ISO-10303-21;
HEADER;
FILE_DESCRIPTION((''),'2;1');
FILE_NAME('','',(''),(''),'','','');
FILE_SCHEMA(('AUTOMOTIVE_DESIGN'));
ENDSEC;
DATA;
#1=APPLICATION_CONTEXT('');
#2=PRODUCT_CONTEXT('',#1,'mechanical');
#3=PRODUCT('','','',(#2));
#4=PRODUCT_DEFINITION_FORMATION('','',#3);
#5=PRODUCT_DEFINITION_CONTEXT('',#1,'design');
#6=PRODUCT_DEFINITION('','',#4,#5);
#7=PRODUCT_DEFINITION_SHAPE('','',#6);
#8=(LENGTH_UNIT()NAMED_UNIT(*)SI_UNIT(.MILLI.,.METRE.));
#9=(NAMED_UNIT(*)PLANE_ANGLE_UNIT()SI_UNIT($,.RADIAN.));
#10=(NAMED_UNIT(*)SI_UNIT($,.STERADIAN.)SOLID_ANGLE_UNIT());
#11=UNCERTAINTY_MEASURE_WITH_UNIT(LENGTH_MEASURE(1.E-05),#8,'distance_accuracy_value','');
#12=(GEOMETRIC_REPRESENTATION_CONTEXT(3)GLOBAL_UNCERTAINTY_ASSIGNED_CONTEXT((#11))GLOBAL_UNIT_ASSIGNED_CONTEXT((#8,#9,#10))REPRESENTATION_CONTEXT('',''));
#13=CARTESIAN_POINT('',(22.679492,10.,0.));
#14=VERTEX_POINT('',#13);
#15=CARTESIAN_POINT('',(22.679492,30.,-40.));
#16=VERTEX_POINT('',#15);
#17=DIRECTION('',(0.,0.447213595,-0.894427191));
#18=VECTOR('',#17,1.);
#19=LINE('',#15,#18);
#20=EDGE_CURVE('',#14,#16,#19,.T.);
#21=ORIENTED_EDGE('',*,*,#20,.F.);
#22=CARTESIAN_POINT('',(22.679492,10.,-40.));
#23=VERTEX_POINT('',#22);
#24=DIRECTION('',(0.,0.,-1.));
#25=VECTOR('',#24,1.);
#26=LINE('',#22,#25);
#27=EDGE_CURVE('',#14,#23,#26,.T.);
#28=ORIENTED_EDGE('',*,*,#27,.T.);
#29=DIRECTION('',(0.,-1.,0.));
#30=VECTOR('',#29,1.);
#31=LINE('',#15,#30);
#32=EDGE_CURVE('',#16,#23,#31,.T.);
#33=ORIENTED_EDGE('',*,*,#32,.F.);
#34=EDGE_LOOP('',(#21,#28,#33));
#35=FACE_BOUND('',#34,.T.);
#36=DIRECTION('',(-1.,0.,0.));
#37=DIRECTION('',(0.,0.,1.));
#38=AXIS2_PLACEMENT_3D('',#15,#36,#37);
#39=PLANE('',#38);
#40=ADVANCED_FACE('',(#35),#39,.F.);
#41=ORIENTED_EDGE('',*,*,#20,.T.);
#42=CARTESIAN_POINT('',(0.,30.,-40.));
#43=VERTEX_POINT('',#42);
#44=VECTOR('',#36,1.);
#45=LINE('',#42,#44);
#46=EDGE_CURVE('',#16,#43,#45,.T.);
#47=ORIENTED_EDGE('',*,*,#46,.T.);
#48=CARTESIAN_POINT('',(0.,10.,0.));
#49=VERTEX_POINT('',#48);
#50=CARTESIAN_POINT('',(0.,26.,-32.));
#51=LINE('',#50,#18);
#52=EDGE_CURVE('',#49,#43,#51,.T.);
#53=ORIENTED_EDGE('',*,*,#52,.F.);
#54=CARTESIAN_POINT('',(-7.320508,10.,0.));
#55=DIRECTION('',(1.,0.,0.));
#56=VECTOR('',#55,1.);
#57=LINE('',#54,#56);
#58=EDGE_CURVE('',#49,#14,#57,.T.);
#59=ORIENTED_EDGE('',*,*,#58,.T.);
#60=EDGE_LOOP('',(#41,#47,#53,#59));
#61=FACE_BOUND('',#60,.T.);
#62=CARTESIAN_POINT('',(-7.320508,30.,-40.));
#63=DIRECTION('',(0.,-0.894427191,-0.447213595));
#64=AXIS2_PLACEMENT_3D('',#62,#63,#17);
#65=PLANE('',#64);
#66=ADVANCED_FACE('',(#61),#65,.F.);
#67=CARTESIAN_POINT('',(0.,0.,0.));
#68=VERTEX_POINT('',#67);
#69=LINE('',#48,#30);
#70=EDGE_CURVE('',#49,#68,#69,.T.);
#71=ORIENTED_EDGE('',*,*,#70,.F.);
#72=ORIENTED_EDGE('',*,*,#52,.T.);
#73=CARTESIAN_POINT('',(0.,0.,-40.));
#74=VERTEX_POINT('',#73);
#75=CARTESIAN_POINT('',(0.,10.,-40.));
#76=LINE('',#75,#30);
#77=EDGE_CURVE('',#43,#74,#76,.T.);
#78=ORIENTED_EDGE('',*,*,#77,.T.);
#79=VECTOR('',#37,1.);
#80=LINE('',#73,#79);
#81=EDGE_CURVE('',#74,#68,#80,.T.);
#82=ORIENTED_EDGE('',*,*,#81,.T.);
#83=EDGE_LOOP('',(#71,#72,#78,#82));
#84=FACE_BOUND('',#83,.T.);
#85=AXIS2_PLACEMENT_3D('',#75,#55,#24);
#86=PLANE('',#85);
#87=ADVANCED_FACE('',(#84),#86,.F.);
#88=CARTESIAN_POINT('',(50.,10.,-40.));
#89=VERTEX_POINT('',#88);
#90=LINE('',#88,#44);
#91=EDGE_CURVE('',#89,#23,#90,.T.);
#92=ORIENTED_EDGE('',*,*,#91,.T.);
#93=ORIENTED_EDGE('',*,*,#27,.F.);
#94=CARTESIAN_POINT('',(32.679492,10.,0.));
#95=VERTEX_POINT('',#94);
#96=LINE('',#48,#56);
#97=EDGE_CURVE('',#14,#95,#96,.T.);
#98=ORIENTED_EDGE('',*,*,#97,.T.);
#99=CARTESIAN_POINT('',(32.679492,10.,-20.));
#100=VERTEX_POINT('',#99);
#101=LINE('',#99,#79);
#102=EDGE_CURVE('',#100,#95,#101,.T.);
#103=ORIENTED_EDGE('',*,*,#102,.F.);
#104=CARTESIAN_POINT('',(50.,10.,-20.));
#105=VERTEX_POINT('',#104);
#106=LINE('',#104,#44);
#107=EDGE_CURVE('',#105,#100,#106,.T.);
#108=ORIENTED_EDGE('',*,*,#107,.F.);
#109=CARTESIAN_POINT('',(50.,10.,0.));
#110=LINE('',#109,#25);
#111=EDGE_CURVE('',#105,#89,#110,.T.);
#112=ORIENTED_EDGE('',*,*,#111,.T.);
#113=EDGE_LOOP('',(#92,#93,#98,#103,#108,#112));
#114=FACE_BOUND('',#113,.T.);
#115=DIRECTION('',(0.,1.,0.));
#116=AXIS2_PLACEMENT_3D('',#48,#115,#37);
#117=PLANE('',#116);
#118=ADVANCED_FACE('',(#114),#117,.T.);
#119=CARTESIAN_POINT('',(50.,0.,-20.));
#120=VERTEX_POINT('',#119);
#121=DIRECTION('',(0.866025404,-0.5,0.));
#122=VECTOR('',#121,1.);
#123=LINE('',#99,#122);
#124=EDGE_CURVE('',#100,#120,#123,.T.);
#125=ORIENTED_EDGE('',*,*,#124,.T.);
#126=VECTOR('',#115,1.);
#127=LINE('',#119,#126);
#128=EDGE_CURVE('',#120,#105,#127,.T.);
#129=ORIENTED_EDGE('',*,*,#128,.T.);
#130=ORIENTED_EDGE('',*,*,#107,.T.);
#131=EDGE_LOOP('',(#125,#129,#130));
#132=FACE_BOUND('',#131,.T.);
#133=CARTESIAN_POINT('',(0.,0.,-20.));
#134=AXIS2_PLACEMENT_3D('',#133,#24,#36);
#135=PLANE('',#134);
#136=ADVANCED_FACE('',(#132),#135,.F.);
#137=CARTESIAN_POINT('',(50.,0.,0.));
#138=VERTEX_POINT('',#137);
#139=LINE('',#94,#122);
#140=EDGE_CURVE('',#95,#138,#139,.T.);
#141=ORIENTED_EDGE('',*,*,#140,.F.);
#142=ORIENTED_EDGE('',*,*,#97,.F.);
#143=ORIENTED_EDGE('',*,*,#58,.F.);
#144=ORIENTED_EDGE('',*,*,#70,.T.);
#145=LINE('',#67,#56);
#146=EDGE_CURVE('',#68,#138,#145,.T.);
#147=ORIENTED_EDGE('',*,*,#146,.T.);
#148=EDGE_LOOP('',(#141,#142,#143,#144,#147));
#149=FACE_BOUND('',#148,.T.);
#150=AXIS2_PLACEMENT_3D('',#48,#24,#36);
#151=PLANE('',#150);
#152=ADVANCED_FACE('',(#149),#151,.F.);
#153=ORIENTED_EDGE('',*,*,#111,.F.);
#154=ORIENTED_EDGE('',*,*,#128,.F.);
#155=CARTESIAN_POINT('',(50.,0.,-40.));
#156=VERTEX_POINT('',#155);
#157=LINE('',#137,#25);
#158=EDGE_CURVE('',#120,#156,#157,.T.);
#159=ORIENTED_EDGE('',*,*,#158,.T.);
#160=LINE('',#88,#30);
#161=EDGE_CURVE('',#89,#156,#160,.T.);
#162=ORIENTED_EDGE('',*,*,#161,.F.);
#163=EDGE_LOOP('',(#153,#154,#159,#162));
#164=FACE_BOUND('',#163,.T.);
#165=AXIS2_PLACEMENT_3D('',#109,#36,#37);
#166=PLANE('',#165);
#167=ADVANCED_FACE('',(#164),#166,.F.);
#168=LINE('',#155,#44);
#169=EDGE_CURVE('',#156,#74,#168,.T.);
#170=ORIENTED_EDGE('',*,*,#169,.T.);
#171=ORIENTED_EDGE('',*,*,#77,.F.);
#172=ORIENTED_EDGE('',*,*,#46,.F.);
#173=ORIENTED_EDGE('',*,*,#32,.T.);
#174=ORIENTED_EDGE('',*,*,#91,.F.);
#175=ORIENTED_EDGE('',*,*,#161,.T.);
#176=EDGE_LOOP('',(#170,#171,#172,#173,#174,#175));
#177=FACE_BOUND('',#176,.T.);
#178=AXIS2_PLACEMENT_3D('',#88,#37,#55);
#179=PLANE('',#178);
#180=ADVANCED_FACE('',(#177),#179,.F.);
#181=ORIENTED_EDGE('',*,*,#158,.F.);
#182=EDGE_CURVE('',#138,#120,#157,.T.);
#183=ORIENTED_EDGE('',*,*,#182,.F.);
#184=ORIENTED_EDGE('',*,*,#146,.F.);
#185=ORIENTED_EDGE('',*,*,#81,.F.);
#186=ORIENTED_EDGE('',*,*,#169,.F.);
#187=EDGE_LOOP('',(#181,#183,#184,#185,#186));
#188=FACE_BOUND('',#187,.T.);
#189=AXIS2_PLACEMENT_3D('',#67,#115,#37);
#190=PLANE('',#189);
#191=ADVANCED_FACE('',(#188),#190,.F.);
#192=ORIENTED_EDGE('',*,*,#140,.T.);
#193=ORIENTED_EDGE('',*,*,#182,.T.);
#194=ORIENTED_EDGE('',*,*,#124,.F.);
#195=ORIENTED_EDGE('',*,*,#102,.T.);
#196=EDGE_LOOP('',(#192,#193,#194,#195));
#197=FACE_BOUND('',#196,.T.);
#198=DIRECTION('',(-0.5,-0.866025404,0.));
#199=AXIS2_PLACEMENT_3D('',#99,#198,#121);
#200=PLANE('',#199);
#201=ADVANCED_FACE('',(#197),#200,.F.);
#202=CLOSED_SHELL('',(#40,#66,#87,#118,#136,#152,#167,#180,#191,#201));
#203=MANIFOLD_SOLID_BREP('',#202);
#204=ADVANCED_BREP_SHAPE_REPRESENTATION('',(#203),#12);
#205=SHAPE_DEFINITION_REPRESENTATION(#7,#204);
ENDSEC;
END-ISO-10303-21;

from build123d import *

# Parameters (mm, degrees)
SKETCH2_W           = 50
SKETCH2_H           = 40
BOSS_EXTRUDE1_DEPTH = 10
CUT_EXTRUDE4_DEPTH  = 20
SKETCH6_W           = 22.679491924
SKETCH6_H           = 40
BOSS_EXTRUDE3_DEPTH = 20
CUT_EXTRUDE9_DEPTH  = 30


with BuildPart() as part:
    # Sketch2 → Boss-Extrude1 (new body)
    with BuildSketch(Plane(origin=(0, 0, 0), x_dir=(1, 0, 0), z_dir=(0, 1, 0))):
        with Locations((25, 20)):
            Rectangle(SKETCH2_W, SKETCH2_H)
    extrude(amount=BOSS_EXTRUDE1_DEPTH)

    # Sketch4 → Cut-Extrude4 (cut)
    with BuildSketch(Plane.XY):
        Polygon((32.679491924, 10), (50, 0), (50, 10), align=None)
    extrude(amount=-CUT_EXTRUDE4_DEPTH, mode=Mode.SUBTRACT)

    # Sketch6 → Boss-Extrude3 (add)
    with BuildSketch(Plane(origin=(0, 10, 0), x_dir=(1, 0, 0), z_dir=(0, 1, 0))):
        with Locations((11.339745962, 20)):
            Rectangle(SKETCH6_W, SKETCH6_H)
    extrude(amount=BOSS_EXTRUDE3_DEPTH)

    # Sketch8 → Cut-Extrude9 (cut)
    with BuildSketch(Plane(origin=(22.679491924, 0, 0), x_dir=(0, 0, -1), z_dir=(1, 0, 0))):
        Polygon((40, 30), (0, 10), (0, 30), align=None)
    extrude(amount=-CUT_EXTRUDE9_DEPTH, mode=Mode.SUBTRACT)


solid = part.part
